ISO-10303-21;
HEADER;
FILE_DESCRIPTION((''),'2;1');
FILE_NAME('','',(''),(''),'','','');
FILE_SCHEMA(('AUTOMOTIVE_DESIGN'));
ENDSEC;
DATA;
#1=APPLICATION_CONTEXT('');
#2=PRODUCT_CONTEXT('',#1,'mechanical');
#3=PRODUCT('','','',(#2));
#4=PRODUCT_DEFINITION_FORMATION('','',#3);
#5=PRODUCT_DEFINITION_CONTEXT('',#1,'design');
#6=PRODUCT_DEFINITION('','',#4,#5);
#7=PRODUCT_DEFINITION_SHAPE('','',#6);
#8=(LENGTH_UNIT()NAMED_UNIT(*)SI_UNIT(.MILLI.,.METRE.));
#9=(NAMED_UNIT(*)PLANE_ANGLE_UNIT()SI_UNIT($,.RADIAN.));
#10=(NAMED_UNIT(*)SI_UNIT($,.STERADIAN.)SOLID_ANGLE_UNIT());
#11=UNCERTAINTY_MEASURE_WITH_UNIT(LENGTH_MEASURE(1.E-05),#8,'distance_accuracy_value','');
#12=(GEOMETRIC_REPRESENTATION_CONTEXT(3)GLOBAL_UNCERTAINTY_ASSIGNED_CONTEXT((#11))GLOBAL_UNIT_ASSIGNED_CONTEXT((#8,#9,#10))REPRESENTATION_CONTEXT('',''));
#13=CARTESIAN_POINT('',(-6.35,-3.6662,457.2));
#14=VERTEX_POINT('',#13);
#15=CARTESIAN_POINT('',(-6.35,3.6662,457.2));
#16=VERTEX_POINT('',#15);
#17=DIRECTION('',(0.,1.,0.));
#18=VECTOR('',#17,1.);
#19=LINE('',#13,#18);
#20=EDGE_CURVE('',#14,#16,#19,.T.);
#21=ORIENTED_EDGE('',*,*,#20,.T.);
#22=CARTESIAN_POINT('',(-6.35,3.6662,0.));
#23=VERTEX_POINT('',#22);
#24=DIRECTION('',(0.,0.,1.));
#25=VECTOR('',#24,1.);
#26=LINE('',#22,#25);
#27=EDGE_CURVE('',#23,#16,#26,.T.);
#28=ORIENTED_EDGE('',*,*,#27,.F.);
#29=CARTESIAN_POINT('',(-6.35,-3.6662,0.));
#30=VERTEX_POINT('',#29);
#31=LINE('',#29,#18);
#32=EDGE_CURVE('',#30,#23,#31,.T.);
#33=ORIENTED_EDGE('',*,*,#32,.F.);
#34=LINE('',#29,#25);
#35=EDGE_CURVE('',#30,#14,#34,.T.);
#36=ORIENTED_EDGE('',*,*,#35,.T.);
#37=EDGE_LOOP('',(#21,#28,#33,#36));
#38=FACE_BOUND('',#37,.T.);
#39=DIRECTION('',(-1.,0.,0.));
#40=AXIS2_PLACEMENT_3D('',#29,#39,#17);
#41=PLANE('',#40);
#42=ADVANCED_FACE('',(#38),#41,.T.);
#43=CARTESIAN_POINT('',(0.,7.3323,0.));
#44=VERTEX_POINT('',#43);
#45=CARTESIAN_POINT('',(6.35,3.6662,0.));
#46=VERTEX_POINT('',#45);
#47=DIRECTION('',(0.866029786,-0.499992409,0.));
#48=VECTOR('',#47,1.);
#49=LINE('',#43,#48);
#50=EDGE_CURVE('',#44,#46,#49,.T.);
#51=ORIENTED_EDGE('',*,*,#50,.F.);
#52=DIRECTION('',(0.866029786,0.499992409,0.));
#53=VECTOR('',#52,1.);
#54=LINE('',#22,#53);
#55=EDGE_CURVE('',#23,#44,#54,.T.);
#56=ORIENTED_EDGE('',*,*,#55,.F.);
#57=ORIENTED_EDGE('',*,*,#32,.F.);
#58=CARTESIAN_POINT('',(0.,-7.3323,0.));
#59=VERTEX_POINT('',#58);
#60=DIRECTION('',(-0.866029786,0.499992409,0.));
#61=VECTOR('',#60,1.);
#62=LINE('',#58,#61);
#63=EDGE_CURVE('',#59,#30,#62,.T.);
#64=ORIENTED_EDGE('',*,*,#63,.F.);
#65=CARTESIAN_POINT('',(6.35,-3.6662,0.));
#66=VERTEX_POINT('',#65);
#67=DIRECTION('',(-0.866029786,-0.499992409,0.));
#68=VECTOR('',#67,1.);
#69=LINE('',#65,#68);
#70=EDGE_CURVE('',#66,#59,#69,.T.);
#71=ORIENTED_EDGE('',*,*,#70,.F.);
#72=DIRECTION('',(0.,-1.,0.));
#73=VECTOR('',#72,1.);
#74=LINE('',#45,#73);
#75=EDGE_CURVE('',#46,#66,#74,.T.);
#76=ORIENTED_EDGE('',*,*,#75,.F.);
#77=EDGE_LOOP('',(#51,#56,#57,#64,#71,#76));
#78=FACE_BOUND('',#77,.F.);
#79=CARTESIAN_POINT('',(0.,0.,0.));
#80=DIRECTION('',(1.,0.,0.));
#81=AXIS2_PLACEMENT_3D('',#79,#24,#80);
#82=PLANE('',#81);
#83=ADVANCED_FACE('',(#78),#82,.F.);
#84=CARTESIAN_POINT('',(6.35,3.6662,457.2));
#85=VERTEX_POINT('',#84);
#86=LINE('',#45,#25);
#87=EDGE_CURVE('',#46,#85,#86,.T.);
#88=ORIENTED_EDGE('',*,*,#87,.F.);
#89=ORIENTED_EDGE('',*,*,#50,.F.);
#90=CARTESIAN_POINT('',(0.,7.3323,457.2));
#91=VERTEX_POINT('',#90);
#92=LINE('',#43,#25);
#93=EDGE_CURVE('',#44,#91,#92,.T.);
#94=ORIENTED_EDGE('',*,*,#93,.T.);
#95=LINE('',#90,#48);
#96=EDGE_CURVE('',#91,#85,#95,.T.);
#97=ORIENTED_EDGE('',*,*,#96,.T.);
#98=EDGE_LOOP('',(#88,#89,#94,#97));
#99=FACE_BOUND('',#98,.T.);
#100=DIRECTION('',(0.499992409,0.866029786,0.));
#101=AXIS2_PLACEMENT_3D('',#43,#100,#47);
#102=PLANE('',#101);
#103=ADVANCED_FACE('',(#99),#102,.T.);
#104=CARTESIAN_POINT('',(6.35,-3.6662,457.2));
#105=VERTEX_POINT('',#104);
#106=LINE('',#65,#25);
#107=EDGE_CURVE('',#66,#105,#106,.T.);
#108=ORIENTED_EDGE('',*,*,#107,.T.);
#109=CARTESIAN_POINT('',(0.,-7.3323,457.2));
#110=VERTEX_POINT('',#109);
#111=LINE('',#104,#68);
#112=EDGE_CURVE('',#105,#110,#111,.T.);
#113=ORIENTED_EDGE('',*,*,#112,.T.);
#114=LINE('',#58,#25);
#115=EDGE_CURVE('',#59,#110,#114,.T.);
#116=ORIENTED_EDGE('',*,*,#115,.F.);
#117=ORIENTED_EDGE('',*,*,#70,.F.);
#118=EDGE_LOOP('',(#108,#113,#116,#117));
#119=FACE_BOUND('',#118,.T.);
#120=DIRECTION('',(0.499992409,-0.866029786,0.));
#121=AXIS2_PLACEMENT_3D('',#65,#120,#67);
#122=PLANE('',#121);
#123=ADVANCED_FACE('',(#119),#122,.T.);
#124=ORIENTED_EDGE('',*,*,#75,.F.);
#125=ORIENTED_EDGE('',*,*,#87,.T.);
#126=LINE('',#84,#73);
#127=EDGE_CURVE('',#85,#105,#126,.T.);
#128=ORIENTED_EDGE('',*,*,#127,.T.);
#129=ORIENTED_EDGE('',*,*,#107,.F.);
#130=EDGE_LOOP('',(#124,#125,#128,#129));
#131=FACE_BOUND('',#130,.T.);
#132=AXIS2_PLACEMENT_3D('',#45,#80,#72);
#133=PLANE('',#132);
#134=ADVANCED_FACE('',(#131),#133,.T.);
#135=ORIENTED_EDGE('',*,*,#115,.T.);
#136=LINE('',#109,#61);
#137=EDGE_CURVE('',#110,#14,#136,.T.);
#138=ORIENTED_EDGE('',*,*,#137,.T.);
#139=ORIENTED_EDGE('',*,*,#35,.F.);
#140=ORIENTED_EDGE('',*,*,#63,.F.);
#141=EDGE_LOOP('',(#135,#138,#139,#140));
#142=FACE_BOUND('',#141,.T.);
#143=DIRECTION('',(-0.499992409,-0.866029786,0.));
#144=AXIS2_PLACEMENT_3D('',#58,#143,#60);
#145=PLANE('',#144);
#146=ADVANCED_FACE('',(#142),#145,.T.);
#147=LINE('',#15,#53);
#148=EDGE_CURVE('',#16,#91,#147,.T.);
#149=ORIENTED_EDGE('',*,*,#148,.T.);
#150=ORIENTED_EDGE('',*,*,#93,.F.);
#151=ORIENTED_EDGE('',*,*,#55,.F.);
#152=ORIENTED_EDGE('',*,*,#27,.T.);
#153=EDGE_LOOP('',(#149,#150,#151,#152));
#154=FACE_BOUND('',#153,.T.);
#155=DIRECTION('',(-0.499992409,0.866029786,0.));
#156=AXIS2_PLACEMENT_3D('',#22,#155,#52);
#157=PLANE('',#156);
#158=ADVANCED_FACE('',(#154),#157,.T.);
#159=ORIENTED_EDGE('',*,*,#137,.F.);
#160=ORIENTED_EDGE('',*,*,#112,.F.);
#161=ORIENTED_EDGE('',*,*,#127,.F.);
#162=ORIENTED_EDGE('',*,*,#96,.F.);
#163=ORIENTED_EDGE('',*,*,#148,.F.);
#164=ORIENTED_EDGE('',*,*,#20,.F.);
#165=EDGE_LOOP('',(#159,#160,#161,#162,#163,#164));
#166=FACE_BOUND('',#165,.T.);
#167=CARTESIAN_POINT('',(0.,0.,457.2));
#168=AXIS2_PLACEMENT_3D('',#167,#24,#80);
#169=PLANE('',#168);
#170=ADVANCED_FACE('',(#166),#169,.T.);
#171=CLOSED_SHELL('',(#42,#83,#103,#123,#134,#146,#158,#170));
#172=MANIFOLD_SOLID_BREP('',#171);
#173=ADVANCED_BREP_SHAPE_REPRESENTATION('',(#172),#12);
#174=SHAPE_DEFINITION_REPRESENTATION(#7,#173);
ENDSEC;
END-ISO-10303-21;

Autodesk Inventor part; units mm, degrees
ref_plane "YZ Plane" through (0, 0, 0) normal (1, 0, 0) x (0, 1, 0)
ref_plane "XZ Plane" through (0, 0, 0) normal (0, 1, 0) x (-1, 0, 0)
ref_plane "XY Plane" through (0, 0, 0) normal (0, 0, 1) x (1, 0, 0)
sketch "Sketch1" plane through (0, 0, 0) normal (0, 0, 1) x (1, 0, 0)
  line L0 (0, 7.3323) -> (6.35, 3.6662)
  line L1 (6.35, 3.6662) -> (6.35, -3.6662)
  line L2 (6.35, -3.6662) -> (0, -7.3323)
  line L3 (0, -7.3323) -> (-6.35, -3.6662)
  line L4 (-6.35, -3.6662) -> (-6.35, 3.6662)
  line L5 (-6.35, 3.6662) -> (0, 7.3323)
  point P0 (0, 0)
  point P1 (0, 0)
  dimension "d0" = 12.7
extrude "Extrusion1" add sketch "Sketch1" along normal blind 457.2
properties part number "Half Inch Hex Stock" material "Aluminum 6061"
